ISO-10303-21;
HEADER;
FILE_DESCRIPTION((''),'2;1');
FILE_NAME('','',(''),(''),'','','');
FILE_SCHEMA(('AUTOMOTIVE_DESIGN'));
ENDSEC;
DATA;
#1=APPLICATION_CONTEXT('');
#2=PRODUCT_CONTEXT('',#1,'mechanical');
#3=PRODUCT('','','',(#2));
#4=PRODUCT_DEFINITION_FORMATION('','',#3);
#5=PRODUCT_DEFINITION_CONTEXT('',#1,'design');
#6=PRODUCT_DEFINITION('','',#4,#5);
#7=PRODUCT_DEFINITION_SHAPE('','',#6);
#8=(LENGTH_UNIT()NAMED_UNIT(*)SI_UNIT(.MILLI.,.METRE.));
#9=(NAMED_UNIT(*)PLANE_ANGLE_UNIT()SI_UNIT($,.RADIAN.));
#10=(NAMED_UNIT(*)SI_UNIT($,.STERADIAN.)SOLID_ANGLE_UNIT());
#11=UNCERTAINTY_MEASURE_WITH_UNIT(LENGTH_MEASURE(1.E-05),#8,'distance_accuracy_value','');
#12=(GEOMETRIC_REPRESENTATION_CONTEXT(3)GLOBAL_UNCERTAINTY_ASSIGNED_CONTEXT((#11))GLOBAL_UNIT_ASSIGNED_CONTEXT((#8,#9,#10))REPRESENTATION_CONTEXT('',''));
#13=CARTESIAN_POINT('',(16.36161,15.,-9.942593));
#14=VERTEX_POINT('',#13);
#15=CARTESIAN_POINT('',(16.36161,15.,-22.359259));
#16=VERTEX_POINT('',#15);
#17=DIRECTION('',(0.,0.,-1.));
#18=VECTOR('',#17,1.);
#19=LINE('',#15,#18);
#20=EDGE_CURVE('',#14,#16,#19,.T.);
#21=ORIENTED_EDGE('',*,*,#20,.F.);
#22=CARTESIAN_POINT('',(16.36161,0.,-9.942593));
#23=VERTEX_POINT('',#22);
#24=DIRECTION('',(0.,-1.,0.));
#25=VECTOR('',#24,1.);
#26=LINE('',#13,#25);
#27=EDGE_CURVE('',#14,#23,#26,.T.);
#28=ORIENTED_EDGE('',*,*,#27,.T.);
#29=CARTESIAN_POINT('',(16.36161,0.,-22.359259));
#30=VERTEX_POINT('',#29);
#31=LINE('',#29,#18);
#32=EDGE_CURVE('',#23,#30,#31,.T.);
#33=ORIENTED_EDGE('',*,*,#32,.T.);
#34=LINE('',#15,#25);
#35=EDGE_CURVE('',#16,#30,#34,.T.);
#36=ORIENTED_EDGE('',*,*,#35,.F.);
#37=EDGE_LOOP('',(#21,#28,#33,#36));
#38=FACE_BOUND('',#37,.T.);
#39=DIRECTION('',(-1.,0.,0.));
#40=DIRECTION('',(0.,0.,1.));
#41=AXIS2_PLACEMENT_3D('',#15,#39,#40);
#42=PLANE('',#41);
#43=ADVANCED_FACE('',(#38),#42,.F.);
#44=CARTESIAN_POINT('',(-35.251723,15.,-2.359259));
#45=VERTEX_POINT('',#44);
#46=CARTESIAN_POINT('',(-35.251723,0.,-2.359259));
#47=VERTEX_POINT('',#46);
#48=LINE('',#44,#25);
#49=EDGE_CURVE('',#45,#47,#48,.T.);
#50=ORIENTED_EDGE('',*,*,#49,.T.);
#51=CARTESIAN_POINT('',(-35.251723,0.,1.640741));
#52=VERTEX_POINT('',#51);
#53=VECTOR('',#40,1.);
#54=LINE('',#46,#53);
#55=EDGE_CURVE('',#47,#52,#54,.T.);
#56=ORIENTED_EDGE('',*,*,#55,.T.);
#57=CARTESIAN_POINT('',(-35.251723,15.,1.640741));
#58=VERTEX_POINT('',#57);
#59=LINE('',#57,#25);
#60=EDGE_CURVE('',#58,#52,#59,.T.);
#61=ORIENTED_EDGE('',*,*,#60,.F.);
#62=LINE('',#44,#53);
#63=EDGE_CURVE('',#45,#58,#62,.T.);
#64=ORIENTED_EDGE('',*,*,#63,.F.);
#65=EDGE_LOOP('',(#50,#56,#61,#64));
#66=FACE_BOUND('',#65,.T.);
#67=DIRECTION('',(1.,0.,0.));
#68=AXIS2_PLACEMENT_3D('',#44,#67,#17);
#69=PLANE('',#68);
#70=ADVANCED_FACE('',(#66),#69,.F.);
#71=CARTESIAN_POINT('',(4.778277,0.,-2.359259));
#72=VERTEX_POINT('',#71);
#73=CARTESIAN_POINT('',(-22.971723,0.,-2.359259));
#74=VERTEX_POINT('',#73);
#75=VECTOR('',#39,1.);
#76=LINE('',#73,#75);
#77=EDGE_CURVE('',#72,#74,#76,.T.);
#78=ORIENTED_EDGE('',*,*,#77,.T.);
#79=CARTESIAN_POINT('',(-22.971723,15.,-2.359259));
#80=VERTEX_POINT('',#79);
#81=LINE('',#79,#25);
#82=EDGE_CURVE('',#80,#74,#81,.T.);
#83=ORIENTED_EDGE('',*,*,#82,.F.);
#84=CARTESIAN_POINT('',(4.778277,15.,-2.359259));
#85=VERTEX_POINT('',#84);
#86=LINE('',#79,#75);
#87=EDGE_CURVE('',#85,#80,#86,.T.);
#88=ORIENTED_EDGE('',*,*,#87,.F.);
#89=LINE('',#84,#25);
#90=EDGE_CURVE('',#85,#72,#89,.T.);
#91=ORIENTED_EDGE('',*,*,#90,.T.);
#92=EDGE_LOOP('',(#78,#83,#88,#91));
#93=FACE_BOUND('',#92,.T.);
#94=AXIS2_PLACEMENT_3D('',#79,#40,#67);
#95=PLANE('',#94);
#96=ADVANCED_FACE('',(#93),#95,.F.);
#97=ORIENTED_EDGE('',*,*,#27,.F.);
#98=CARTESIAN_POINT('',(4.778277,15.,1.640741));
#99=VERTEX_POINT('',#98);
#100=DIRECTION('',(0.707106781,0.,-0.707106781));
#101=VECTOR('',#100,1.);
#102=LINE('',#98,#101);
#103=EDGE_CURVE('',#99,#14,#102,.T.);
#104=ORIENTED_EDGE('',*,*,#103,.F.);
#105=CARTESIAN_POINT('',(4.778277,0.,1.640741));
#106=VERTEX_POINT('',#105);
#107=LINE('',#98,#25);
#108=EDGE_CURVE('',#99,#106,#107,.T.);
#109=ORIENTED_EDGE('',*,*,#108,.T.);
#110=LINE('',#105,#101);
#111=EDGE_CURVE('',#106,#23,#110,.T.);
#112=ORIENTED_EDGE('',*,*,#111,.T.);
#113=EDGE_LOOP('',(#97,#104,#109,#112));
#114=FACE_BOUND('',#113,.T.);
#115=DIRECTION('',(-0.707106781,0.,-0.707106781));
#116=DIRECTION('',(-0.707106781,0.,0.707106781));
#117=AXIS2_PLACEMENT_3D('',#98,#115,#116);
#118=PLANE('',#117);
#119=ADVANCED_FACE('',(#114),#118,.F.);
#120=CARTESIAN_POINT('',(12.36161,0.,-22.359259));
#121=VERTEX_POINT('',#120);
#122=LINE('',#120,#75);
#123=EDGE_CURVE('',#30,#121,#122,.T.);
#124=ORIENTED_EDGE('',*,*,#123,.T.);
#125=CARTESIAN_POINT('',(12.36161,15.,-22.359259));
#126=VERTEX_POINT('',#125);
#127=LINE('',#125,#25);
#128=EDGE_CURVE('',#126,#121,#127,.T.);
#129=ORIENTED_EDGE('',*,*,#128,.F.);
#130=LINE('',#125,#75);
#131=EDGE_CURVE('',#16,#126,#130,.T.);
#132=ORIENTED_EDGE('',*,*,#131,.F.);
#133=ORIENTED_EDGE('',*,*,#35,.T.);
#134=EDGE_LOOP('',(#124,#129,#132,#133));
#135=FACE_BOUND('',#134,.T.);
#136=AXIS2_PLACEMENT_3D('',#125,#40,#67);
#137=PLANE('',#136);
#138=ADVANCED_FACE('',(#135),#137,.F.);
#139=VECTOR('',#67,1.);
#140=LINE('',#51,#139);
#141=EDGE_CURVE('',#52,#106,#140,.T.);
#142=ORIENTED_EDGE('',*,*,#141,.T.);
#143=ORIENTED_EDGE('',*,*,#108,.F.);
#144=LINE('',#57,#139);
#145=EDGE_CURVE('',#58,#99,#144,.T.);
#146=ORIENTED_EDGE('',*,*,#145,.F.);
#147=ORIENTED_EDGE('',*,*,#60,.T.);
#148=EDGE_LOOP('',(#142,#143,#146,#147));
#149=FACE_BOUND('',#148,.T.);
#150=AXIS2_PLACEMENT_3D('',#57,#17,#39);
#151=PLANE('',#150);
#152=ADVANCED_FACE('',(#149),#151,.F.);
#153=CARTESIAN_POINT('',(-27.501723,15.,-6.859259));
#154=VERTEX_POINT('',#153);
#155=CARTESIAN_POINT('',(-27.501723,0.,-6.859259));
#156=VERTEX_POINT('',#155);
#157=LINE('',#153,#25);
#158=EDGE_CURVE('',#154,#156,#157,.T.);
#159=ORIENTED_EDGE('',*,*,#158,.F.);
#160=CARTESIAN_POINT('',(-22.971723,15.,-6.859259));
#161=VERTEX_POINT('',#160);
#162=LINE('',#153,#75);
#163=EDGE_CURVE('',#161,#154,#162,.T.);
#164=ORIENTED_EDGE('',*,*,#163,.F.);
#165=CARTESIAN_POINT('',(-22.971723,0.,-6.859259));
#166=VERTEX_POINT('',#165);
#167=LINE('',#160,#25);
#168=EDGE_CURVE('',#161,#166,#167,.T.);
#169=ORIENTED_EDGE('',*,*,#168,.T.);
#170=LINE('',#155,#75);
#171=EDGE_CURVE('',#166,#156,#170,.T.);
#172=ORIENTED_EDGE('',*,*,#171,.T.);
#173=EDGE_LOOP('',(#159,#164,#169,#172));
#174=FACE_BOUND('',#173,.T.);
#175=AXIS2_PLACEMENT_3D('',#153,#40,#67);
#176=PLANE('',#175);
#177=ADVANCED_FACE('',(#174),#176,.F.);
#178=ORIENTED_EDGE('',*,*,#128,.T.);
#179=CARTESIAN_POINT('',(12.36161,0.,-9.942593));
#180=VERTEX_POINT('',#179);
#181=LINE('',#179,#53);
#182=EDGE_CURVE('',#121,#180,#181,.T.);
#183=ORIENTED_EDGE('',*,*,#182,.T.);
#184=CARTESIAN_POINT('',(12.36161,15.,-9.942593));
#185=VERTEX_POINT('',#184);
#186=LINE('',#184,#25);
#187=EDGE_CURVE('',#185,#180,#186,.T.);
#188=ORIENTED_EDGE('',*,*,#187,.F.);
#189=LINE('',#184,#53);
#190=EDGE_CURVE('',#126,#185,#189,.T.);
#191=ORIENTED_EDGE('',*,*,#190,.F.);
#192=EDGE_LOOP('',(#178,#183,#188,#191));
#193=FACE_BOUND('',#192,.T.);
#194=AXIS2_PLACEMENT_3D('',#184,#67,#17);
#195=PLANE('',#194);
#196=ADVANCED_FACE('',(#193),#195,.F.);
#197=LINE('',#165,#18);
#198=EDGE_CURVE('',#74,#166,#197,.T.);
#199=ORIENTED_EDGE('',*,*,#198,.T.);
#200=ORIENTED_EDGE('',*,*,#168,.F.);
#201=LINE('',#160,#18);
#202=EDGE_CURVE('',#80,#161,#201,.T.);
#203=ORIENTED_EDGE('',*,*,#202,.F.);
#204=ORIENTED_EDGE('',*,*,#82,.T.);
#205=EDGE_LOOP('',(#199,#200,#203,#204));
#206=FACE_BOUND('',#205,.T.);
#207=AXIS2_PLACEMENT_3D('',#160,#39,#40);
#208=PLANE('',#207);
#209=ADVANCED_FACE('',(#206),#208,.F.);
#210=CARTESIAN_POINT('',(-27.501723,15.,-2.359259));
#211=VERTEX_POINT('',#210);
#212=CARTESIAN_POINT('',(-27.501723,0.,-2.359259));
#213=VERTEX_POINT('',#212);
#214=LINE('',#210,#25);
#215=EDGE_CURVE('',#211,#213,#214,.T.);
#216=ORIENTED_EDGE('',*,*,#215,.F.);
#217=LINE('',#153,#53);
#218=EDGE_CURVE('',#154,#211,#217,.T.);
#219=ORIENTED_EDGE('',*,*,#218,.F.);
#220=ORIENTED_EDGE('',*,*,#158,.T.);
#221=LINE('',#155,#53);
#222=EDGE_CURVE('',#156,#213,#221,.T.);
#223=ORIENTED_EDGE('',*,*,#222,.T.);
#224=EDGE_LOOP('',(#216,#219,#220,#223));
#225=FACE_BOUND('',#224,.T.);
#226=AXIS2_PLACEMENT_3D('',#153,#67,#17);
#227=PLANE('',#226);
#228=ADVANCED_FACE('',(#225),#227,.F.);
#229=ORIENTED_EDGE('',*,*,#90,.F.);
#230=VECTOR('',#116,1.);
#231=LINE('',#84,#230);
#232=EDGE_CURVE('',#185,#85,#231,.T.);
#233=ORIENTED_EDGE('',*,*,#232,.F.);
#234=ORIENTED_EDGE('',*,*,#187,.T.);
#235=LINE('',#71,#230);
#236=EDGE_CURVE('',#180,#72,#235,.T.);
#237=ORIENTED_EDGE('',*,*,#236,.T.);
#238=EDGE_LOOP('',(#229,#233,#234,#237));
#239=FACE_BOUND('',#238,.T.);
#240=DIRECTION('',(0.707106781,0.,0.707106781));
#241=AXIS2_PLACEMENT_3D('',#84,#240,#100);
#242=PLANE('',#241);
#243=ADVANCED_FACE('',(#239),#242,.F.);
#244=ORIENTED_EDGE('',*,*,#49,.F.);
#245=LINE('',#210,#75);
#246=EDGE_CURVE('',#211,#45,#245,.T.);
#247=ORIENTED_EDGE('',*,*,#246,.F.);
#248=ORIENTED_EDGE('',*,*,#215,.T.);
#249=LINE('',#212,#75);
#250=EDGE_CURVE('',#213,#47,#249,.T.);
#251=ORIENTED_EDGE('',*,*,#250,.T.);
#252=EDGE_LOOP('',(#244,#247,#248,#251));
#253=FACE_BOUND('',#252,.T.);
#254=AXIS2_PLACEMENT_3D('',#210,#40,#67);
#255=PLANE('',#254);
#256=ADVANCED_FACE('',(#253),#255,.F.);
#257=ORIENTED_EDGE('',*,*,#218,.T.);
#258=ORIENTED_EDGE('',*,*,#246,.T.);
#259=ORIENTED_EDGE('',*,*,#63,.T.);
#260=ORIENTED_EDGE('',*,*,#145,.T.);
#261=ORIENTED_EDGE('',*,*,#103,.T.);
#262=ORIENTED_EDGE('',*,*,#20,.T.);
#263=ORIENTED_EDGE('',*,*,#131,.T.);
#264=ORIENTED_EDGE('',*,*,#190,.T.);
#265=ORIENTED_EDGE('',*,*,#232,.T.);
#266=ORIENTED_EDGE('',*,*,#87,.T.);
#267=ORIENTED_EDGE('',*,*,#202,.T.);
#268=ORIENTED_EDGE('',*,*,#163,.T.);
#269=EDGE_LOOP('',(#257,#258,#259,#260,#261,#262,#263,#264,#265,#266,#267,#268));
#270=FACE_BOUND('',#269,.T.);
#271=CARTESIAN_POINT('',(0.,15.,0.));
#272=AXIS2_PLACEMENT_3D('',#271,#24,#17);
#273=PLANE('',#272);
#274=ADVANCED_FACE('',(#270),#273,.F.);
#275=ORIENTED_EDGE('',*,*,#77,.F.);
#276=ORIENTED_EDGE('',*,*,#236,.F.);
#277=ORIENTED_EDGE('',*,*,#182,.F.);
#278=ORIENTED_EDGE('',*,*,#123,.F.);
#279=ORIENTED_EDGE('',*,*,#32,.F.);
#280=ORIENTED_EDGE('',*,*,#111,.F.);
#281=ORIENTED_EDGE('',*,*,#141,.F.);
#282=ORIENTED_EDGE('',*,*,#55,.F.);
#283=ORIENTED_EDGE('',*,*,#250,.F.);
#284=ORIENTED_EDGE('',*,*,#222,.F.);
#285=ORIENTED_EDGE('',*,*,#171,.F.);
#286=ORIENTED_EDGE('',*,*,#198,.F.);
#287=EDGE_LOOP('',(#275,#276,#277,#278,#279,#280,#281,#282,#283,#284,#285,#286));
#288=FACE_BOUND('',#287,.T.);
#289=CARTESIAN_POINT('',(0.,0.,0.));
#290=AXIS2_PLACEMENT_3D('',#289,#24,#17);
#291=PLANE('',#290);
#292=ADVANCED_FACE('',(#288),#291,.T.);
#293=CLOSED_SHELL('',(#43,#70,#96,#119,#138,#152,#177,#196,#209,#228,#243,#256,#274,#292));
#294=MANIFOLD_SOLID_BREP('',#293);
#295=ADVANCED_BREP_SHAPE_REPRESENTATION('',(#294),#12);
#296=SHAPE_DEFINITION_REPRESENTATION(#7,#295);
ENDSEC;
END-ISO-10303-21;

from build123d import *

# Parameters (mm, degrees)
EXTRUDE_1_DEPTH = 15


with BuildPart() as part:
    # 草圖1 → 填料-伸長1 (new body)
    with BuildSketch(Plane(origin=(0, 0, 0), x_dir=(1, 0, 0), z_dir=(0, 1, 0))):
        Polygon((-27.501723192, 6.859259259), (-22.971723192, 6.859259259), (-22.971723192, 2.359259259), (4.778276808, 2.359259259), (12.361610141, 9.942592593), (12.361610141, 22.359259259), (16.361610141, 22.359259259), (16.361610141, 9.942592593), (4.778276808, -1.640740741), (-35.251723192, -1.640740741), (-35.251723192, 2.359259259), (-27.501723192, 2.359259259), align=None)
    extrude(amount=EXTRUDE_1_DEPTH)


solid = part.part
